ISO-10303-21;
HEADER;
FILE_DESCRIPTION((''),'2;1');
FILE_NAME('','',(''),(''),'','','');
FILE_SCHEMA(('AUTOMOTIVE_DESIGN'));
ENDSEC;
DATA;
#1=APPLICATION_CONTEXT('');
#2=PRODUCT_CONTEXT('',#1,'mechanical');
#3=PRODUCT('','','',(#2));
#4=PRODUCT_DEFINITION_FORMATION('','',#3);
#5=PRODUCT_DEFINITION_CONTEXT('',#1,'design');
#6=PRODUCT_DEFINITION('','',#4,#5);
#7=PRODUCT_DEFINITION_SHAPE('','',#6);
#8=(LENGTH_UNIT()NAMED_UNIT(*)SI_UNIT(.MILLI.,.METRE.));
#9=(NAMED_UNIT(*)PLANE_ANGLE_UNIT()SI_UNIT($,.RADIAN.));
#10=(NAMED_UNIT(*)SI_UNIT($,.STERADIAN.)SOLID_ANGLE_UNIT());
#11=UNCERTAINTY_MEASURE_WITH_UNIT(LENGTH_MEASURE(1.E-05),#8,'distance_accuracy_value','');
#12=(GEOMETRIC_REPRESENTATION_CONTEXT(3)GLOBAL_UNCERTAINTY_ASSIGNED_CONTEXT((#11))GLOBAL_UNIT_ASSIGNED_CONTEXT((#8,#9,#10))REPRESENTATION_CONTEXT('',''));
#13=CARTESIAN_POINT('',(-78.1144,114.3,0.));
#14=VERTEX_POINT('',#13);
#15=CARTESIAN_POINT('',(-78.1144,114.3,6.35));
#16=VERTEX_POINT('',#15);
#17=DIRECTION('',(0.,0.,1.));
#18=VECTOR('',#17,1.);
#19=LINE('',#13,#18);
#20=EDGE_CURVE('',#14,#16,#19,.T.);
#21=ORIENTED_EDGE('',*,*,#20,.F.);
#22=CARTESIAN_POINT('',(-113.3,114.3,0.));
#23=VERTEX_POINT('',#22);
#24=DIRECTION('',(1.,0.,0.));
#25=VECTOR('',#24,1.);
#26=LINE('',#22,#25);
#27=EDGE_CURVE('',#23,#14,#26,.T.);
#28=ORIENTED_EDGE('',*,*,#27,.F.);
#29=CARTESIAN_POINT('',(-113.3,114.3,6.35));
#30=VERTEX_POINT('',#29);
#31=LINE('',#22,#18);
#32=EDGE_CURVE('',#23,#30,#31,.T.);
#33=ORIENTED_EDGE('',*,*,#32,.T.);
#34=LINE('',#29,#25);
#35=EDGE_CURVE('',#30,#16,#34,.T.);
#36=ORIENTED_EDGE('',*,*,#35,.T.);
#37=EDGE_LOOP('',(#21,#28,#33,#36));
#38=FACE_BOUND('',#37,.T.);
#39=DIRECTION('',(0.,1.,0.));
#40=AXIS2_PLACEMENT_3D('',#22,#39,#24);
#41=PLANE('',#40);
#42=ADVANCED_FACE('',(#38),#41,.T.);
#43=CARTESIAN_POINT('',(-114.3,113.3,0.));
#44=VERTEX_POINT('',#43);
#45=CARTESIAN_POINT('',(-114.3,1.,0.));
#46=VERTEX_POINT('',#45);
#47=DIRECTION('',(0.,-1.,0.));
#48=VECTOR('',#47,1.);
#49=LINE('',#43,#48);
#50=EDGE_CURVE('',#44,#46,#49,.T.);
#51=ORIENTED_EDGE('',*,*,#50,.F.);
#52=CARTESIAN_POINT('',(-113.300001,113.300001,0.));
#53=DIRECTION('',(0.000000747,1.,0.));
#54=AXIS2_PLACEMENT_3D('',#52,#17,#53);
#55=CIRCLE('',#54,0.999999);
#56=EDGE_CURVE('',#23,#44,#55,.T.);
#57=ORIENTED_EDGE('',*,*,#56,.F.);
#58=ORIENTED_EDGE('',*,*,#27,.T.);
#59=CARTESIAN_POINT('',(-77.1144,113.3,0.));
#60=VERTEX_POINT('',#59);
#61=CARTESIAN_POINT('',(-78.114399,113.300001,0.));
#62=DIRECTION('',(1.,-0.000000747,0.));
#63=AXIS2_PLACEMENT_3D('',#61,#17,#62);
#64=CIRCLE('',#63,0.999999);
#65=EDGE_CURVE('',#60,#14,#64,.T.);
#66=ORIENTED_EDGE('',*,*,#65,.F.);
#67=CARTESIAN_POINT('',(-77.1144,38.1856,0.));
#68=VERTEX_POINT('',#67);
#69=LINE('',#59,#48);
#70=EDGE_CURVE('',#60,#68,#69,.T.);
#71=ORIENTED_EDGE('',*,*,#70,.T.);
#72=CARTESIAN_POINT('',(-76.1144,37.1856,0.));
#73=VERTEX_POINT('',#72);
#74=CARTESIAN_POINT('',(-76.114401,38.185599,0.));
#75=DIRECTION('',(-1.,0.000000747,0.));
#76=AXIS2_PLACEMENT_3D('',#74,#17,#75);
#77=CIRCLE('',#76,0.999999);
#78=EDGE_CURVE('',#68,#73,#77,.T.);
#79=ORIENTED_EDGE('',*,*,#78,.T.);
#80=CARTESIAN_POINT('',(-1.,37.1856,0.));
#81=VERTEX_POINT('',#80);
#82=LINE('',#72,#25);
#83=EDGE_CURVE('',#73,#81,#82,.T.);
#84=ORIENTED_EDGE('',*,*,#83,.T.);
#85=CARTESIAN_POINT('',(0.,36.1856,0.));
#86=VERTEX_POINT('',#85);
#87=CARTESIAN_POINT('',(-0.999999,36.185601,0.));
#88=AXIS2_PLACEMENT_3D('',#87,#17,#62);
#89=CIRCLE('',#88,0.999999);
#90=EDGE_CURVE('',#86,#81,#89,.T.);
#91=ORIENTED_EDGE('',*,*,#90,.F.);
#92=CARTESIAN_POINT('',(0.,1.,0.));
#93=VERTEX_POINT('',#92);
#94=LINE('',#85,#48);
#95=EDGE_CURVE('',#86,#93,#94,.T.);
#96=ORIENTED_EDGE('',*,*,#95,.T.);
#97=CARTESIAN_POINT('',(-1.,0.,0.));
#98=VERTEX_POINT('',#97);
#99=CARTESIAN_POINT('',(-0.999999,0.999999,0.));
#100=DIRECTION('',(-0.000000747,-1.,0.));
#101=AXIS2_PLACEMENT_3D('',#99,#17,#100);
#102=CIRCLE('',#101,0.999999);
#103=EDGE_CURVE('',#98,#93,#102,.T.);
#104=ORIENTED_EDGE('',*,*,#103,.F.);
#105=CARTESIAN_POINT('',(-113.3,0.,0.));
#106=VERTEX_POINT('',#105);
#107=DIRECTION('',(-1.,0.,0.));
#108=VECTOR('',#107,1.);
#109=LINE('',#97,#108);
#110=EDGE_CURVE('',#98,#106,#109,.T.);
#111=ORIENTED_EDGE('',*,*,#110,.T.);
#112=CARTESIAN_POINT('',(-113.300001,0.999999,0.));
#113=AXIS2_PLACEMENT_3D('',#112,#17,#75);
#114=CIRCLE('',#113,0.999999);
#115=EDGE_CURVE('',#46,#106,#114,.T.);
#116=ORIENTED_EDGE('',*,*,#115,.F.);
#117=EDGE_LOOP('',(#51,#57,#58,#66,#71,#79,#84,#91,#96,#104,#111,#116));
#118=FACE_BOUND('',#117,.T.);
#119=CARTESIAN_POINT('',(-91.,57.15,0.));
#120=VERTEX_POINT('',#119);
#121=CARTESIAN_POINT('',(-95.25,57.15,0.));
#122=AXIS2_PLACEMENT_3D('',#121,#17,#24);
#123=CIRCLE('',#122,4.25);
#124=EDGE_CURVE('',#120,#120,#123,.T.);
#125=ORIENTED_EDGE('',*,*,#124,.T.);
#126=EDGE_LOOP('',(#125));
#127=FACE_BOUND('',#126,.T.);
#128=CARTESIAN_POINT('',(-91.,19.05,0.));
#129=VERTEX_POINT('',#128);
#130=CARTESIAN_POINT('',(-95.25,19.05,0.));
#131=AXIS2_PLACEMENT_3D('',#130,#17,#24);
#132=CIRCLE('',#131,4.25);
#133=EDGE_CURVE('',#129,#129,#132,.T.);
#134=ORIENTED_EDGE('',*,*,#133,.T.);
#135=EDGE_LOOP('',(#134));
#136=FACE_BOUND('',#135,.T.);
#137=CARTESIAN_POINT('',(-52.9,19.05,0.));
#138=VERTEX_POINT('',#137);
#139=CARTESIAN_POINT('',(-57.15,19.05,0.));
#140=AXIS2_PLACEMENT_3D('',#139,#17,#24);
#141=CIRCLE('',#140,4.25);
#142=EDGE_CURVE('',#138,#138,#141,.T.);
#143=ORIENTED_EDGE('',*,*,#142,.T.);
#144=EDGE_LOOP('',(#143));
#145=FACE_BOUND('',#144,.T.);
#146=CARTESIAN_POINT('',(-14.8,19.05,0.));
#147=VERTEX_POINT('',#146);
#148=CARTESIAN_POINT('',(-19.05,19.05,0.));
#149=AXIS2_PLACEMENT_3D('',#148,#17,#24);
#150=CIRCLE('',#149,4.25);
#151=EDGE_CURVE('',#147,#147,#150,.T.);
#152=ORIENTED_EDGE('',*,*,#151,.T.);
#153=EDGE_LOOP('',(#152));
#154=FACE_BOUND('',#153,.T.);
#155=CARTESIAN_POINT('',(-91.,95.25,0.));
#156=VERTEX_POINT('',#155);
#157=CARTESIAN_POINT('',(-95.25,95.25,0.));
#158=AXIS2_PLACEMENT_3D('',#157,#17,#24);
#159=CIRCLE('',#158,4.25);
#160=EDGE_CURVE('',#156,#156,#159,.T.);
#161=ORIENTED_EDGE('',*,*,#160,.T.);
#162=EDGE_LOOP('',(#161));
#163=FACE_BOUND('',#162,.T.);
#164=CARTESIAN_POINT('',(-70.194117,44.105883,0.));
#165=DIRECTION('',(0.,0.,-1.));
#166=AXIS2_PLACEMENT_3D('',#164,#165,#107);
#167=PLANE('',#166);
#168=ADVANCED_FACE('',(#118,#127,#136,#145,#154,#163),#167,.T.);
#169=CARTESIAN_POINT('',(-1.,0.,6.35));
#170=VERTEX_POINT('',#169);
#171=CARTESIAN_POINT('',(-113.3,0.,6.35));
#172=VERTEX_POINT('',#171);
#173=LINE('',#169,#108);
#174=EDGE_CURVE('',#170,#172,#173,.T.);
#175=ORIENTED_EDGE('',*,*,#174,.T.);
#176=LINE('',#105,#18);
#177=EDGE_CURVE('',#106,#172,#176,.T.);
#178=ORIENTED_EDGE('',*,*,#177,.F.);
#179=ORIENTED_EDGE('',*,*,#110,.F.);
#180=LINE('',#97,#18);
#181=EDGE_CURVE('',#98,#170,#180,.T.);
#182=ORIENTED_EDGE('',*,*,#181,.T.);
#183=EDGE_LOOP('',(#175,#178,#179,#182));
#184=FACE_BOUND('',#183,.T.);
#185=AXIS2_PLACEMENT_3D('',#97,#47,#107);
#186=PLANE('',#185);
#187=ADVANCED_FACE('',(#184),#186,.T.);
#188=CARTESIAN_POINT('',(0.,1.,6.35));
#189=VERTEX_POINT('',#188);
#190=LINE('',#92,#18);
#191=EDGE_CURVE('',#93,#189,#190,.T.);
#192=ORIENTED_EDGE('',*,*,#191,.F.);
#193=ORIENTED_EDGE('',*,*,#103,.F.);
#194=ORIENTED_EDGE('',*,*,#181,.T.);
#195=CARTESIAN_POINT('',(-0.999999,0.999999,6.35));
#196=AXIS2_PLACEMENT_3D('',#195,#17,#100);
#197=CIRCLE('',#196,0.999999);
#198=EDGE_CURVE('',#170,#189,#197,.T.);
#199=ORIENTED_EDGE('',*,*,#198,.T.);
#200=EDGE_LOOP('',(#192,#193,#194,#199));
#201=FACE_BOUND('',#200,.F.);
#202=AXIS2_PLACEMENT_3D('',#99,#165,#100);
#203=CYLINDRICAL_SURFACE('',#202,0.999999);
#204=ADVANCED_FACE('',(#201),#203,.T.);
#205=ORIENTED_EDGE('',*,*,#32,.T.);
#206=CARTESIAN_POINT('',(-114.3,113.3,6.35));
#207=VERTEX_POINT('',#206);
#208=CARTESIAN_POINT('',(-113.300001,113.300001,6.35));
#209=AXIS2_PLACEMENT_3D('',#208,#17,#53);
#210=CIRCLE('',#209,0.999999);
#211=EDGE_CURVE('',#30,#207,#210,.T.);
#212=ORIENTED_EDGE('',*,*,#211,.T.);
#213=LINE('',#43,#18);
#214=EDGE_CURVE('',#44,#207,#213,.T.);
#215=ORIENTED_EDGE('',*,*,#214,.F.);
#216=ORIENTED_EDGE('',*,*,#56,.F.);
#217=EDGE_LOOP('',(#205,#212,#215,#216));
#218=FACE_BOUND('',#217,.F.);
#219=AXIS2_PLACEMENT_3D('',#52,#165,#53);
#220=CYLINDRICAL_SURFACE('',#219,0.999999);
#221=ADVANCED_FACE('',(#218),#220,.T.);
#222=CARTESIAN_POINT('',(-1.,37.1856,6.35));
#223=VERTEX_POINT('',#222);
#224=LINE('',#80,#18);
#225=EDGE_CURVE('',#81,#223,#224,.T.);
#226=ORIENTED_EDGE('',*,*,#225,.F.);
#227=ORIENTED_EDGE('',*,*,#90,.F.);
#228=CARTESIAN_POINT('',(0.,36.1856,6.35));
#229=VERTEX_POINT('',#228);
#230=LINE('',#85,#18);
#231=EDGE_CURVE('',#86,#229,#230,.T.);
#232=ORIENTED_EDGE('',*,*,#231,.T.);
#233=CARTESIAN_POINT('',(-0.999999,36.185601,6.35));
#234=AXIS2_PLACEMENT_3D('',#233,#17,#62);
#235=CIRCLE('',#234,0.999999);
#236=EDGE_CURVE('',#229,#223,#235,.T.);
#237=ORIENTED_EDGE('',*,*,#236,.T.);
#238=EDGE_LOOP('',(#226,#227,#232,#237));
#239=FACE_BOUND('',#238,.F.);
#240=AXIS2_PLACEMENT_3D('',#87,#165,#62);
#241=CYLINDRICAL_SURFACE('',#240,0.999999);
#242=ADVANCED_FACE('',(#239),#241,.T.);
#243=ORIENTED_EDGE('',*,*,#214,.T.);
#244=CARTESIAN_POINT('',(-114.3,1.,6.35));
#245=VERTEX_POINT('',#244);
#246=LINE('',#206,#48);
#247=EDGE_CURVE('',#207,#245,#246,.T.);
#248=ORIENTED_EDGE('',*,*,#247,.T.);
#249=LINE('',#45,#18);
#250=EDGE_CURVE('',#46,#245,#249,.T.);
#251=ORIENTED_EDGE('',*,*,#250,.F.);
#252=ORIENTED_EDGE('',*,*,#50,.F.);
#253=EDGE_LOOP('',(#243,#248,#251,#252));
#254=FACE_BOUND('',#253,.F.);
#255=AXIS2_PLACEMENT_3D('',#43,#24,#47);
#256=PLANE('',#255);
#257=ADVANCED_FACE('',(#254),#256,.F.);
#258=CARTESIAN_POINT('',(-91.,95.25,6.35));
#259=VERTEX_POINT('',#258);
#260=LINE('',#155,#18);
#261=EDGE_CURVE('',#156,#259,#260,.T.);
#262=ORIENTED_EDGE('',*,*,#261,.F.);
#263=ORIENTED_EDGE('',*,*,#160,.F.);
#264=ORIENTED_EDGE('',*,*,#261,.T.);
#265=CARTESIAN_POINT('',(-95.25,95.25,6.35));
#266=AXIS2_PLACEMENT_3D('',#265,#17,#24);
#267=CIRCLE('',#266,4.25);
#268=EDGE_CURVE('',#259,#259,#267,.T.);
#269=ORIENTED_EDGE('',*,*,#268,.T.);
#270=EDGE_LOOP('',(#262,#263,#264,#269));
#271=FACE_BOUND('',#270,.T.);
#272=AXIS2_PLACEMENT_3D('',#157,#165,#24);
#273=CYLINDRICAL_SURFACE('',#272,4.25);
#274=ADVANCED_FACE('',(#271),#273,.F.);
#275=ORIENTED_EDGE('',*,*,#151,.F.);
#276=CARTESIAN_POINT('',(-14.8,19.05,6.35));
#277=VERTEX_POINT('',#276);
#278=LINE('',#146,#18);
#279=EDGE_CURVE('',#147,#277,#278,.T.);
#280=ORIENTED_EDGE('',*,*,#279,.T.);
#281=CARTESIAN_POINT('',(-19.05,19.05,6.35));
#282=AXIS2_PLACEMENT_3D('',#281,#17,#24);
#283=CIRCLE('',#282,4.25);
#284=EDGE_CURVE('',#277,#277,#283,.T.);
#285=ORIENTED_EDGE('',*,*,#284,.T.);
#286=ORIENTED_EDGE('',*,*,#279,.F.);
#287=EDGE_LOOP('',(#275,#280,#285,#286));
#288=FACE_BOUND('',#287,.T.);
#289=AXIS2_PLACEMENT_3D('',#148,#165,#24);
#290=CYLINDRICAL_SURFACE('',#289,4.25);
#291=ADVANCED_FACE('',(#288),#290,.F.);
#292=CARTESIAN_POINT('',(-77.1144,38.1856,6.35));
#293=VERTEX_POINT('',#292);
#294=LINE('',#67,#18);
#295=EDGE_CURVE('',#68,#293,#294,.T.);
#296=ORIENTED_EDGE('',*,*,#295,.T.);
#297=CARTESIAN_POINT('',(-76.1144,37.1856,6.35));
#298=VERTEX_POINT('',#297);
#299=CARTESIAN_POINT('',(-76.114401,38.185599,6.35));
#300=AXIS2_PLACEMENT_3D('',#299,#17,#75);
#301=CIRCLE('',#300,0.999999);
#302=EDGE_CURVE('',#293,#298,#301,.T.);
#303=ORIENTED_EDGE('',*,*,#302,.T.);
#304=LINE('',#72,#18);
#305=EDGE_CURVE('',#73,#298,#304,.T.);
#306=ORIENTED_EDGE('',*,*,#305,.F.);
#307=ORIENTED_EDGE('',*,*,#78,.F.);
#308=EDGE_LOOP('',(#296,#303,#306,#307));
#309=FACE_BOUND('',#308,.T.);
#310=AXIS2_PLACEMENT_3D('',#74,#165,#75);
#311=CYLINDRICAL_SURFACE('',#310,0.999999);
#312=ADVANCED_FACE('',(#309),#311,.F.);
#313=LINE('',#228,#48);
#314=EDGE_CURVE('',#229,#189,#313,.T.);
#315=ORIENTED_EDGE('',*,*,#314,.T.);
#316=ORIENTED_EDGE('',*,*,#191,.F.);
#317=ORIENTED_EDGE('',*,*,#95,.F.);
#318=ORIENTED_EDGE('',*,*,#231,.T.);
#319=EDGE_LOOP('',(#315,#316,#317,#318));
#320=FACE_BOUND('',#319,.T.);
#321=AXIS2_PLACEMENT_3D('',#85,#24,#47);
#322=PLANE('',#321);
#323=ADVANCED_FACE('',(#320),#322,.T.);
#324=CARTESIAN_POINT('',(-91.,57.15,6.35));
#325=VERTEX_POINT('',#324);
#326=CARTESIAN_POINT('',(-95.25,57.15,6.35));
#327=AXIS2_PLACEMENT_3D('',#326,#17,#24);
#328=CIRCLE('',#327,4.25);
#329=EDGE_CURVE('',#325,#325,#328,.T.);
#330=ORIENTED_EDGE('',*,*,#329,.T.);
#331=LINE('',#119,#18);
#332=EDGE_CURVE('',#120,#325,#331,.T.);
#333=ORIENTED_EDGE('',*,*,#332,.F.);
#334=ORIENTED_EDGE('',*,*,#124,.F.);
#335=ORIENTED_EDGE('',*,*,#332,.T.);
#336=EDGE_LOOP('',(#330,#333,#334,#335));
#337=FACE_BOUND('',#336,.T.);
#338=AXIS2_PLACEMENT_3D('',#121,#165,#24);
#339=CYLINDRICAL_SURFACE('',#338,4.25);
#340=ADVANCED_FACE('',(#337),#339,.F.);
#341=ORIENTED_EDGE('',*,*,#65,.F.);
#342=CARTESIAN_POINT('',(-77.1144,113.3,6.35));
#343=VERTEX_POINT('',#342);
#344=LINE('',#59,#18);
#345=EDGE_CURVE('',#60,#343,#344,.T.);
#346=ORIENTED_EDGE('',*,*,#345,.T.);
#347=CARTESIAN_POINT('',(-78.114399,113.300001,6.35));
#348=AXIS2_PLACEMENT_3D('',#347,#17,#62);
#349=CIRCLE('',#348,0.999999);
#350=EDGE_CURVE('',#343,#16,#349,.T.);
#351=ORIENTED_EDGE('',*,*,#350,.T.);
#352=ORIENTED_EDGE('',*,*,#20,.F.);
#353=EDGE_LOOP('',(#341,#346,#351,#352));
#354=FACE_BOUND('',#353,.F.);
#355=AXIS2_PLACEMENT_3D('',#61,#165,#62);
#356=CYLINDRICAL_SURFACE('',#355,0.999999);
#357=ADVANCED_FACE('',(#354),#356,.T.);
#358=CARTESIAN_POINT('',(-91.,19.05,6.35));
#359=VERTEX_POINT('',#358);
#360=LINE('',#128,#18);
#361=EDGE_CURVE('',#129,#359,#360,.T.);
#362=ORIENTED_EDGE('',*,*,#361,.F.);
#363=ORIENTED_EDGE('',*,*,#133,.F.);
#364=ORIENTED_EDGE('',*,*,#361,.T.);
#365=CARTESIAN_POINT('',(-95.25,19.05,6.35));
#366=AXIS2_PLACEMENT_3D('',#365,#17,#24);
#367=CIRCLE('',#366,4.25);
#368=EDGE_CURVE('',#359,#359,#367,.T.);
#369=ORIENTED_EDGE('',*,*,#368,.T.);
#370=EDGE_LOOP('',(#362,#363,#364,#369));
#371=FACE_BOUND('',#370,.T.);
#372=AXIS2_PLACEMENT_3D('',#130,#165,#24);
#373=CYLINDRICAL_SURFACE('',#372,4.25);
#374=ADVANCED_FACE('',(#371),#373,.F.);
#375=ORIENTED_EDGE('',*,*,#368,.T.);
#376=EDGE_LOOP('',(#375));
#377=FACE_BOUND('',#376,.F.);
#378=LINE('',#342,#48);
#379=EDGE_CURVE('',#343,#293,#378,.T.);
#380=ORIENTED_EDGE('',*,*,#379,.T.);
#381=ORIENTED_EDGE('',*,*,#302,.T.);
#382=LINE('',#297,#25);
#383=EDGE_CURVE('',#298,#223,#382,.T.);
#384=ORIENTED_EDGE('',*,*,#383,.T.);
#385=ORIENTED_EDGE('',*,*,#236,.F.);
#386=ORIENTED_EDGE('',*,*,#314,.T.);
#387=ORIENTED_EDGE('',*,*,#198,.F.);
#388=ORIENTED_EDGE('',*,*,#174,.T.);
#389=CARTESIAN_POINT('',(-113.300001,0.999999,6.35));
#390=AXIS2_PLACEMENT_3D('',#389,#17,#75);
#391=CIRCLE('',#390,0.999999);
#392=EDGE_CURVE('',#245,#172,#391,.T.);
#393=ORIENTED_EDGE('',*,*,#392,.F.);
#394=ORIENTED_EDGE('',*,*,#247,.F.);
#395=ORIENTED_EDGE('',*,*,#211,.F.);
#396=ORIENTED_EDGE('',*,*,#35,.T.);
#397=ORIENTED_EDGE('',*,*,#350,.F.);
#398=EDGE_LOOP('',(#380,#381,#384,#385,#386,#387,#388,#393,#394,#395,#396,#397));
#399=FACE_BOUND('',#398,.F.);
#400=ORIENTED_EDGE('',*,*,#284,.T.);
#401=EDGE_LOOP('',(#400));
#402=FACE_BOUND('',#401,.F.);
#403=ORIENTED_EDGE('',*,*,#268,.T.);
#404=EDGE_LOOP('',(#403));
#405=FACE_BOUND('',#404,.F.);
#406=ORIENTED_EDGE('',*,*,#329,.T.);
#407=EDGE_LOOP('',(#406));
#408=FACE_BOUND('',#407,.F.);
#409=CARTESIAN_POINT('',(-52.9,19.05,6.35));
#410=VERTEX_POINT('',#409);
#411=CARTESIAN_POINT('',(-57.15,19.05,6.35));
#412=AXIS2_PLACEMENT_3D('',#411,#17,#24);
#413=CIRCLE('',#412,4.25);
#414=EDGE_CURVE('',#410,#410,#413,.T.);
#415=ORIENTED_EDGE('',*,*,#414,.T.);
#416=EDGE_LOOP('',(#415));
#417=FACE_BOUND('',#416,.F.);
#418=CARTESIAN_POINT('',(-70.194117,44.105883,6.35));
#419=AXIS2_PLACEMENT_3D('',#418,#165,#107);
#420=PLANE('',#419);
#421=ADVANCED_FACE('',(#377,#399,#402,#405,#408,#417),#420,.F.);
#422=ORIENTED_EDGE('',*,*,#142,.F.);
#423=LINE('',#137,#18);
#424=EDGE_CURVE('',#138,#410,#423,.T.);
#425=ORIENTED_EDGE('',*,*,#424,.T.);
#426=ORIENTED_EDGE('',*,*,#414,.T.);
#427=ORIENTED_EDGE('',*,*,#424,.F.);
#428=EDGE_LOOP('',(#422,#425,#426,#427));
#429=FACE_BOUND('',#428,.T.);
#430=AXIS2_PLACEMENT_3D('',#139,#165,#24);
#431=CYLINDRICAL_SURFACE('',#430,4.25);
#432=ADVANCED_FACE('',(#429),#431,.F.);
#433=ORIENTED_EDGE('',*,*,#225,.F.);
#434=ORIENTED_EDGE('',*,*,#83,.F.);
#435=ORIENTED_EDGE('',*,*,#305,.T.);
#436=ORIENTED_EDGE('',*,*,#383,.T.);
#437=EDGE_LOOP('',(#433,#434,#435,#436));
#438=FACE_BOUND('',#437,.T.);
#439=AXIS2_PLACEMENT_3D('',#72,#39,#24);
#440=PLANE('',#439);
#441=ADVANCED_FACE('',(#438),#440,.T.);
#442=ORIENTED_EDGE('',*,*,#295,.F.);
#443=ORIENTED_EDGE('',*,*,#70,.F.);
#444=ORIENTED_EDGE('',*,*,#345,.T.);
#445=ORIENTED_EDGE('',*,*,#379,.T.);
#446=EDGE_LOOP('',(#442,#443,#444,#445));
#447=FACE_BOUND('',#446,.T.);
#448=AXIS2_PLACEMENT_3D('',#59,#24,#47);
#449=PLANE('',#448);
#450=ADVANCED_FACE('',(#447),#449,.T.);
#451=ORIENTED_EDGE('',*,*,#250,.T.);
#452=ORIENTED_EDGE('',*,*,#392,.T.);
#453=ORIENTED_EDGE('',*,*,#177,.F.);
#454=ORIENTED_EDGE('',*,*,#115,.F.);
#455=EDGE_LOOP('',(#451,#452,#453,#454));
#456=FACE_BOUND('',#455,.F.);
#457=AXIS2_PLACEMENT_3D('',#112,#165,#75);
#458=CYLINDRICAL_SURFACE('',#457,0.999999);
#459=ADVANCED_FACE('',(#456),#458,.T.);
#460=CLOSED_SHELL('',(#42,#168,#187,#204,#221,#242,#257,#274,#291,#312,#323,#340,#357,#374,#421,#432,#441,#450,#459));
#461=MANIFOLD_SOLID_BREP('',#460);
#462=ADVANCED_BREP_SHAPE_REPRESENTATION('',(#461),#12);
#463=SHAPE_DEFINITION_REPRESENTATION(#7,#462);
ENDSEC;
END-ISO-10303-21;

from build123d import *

# Parameters (mm, degrees)
SKETCH_R  = 4.25
PAD_DEPTH = 6.35


with BuildPart() as part:
    # Sketch → Pad (new body)
    with BuildSketch(Plane.XY):
        with BuildLine():
            Line((-113.3, 114.3), (-78.1144, 114.3))
            ThreePointArc((-77.1144, 113.3), (-77.407293, 114.007107), (-78.1144, 114.3))
            Line((-77.1144, 113.3), (-77.1144, 38.1856))
            ThreePointArc((-77.1144, 38.1856), (-76.821507, 37.478493), (-76.1144, 37.1856))
            Line((-76.1144, 37.1856), (-1, 37.1856))
            ThreePointArc((0, 36.1856), (-0.292893, 36.892707), (-1, 37.1856))
            Line((0, 36.1856), (0, 1))
            ThreePointArc((-1, 0), (-0.292893, 0.292893), (0, 1))
            Line((-1, 0), (-113.3, 0))
            ThreePointArc((-114.3, 1), (-114.007107, 0.292893), (-113.3, 0))
            Line((-114.3, 113.3), (-114.3, 1))
            ThreePointArc((-113.3, 114.3), (-114.007107, 114.007107), (-114.3, 113.3))
        make_face()
        with Locations((-19.05, 19.05)):
            Circle(SKETCH_R, mode=Mode.SUBTRACT)
        with Locations((-57.15, 19.05)):
            Circle(SKETCH_R, mode=Mode.SUBTRACT)
        with Locations((-95.25, 19.05)):
            Circle(SKETCH_R, mode=Mode.SUBTRACT)
        with Locations((-95.25, 57.15)):
            Circle(SKETCH_R, mode=Mode.SUBTRACT)
        with Locations((-95.25, 95.25)):
            Circle(SKETCH_R, mode=Mode.SUBTRACT)
    extrude(amount=PAD_DEPTH)


solid = part.part
